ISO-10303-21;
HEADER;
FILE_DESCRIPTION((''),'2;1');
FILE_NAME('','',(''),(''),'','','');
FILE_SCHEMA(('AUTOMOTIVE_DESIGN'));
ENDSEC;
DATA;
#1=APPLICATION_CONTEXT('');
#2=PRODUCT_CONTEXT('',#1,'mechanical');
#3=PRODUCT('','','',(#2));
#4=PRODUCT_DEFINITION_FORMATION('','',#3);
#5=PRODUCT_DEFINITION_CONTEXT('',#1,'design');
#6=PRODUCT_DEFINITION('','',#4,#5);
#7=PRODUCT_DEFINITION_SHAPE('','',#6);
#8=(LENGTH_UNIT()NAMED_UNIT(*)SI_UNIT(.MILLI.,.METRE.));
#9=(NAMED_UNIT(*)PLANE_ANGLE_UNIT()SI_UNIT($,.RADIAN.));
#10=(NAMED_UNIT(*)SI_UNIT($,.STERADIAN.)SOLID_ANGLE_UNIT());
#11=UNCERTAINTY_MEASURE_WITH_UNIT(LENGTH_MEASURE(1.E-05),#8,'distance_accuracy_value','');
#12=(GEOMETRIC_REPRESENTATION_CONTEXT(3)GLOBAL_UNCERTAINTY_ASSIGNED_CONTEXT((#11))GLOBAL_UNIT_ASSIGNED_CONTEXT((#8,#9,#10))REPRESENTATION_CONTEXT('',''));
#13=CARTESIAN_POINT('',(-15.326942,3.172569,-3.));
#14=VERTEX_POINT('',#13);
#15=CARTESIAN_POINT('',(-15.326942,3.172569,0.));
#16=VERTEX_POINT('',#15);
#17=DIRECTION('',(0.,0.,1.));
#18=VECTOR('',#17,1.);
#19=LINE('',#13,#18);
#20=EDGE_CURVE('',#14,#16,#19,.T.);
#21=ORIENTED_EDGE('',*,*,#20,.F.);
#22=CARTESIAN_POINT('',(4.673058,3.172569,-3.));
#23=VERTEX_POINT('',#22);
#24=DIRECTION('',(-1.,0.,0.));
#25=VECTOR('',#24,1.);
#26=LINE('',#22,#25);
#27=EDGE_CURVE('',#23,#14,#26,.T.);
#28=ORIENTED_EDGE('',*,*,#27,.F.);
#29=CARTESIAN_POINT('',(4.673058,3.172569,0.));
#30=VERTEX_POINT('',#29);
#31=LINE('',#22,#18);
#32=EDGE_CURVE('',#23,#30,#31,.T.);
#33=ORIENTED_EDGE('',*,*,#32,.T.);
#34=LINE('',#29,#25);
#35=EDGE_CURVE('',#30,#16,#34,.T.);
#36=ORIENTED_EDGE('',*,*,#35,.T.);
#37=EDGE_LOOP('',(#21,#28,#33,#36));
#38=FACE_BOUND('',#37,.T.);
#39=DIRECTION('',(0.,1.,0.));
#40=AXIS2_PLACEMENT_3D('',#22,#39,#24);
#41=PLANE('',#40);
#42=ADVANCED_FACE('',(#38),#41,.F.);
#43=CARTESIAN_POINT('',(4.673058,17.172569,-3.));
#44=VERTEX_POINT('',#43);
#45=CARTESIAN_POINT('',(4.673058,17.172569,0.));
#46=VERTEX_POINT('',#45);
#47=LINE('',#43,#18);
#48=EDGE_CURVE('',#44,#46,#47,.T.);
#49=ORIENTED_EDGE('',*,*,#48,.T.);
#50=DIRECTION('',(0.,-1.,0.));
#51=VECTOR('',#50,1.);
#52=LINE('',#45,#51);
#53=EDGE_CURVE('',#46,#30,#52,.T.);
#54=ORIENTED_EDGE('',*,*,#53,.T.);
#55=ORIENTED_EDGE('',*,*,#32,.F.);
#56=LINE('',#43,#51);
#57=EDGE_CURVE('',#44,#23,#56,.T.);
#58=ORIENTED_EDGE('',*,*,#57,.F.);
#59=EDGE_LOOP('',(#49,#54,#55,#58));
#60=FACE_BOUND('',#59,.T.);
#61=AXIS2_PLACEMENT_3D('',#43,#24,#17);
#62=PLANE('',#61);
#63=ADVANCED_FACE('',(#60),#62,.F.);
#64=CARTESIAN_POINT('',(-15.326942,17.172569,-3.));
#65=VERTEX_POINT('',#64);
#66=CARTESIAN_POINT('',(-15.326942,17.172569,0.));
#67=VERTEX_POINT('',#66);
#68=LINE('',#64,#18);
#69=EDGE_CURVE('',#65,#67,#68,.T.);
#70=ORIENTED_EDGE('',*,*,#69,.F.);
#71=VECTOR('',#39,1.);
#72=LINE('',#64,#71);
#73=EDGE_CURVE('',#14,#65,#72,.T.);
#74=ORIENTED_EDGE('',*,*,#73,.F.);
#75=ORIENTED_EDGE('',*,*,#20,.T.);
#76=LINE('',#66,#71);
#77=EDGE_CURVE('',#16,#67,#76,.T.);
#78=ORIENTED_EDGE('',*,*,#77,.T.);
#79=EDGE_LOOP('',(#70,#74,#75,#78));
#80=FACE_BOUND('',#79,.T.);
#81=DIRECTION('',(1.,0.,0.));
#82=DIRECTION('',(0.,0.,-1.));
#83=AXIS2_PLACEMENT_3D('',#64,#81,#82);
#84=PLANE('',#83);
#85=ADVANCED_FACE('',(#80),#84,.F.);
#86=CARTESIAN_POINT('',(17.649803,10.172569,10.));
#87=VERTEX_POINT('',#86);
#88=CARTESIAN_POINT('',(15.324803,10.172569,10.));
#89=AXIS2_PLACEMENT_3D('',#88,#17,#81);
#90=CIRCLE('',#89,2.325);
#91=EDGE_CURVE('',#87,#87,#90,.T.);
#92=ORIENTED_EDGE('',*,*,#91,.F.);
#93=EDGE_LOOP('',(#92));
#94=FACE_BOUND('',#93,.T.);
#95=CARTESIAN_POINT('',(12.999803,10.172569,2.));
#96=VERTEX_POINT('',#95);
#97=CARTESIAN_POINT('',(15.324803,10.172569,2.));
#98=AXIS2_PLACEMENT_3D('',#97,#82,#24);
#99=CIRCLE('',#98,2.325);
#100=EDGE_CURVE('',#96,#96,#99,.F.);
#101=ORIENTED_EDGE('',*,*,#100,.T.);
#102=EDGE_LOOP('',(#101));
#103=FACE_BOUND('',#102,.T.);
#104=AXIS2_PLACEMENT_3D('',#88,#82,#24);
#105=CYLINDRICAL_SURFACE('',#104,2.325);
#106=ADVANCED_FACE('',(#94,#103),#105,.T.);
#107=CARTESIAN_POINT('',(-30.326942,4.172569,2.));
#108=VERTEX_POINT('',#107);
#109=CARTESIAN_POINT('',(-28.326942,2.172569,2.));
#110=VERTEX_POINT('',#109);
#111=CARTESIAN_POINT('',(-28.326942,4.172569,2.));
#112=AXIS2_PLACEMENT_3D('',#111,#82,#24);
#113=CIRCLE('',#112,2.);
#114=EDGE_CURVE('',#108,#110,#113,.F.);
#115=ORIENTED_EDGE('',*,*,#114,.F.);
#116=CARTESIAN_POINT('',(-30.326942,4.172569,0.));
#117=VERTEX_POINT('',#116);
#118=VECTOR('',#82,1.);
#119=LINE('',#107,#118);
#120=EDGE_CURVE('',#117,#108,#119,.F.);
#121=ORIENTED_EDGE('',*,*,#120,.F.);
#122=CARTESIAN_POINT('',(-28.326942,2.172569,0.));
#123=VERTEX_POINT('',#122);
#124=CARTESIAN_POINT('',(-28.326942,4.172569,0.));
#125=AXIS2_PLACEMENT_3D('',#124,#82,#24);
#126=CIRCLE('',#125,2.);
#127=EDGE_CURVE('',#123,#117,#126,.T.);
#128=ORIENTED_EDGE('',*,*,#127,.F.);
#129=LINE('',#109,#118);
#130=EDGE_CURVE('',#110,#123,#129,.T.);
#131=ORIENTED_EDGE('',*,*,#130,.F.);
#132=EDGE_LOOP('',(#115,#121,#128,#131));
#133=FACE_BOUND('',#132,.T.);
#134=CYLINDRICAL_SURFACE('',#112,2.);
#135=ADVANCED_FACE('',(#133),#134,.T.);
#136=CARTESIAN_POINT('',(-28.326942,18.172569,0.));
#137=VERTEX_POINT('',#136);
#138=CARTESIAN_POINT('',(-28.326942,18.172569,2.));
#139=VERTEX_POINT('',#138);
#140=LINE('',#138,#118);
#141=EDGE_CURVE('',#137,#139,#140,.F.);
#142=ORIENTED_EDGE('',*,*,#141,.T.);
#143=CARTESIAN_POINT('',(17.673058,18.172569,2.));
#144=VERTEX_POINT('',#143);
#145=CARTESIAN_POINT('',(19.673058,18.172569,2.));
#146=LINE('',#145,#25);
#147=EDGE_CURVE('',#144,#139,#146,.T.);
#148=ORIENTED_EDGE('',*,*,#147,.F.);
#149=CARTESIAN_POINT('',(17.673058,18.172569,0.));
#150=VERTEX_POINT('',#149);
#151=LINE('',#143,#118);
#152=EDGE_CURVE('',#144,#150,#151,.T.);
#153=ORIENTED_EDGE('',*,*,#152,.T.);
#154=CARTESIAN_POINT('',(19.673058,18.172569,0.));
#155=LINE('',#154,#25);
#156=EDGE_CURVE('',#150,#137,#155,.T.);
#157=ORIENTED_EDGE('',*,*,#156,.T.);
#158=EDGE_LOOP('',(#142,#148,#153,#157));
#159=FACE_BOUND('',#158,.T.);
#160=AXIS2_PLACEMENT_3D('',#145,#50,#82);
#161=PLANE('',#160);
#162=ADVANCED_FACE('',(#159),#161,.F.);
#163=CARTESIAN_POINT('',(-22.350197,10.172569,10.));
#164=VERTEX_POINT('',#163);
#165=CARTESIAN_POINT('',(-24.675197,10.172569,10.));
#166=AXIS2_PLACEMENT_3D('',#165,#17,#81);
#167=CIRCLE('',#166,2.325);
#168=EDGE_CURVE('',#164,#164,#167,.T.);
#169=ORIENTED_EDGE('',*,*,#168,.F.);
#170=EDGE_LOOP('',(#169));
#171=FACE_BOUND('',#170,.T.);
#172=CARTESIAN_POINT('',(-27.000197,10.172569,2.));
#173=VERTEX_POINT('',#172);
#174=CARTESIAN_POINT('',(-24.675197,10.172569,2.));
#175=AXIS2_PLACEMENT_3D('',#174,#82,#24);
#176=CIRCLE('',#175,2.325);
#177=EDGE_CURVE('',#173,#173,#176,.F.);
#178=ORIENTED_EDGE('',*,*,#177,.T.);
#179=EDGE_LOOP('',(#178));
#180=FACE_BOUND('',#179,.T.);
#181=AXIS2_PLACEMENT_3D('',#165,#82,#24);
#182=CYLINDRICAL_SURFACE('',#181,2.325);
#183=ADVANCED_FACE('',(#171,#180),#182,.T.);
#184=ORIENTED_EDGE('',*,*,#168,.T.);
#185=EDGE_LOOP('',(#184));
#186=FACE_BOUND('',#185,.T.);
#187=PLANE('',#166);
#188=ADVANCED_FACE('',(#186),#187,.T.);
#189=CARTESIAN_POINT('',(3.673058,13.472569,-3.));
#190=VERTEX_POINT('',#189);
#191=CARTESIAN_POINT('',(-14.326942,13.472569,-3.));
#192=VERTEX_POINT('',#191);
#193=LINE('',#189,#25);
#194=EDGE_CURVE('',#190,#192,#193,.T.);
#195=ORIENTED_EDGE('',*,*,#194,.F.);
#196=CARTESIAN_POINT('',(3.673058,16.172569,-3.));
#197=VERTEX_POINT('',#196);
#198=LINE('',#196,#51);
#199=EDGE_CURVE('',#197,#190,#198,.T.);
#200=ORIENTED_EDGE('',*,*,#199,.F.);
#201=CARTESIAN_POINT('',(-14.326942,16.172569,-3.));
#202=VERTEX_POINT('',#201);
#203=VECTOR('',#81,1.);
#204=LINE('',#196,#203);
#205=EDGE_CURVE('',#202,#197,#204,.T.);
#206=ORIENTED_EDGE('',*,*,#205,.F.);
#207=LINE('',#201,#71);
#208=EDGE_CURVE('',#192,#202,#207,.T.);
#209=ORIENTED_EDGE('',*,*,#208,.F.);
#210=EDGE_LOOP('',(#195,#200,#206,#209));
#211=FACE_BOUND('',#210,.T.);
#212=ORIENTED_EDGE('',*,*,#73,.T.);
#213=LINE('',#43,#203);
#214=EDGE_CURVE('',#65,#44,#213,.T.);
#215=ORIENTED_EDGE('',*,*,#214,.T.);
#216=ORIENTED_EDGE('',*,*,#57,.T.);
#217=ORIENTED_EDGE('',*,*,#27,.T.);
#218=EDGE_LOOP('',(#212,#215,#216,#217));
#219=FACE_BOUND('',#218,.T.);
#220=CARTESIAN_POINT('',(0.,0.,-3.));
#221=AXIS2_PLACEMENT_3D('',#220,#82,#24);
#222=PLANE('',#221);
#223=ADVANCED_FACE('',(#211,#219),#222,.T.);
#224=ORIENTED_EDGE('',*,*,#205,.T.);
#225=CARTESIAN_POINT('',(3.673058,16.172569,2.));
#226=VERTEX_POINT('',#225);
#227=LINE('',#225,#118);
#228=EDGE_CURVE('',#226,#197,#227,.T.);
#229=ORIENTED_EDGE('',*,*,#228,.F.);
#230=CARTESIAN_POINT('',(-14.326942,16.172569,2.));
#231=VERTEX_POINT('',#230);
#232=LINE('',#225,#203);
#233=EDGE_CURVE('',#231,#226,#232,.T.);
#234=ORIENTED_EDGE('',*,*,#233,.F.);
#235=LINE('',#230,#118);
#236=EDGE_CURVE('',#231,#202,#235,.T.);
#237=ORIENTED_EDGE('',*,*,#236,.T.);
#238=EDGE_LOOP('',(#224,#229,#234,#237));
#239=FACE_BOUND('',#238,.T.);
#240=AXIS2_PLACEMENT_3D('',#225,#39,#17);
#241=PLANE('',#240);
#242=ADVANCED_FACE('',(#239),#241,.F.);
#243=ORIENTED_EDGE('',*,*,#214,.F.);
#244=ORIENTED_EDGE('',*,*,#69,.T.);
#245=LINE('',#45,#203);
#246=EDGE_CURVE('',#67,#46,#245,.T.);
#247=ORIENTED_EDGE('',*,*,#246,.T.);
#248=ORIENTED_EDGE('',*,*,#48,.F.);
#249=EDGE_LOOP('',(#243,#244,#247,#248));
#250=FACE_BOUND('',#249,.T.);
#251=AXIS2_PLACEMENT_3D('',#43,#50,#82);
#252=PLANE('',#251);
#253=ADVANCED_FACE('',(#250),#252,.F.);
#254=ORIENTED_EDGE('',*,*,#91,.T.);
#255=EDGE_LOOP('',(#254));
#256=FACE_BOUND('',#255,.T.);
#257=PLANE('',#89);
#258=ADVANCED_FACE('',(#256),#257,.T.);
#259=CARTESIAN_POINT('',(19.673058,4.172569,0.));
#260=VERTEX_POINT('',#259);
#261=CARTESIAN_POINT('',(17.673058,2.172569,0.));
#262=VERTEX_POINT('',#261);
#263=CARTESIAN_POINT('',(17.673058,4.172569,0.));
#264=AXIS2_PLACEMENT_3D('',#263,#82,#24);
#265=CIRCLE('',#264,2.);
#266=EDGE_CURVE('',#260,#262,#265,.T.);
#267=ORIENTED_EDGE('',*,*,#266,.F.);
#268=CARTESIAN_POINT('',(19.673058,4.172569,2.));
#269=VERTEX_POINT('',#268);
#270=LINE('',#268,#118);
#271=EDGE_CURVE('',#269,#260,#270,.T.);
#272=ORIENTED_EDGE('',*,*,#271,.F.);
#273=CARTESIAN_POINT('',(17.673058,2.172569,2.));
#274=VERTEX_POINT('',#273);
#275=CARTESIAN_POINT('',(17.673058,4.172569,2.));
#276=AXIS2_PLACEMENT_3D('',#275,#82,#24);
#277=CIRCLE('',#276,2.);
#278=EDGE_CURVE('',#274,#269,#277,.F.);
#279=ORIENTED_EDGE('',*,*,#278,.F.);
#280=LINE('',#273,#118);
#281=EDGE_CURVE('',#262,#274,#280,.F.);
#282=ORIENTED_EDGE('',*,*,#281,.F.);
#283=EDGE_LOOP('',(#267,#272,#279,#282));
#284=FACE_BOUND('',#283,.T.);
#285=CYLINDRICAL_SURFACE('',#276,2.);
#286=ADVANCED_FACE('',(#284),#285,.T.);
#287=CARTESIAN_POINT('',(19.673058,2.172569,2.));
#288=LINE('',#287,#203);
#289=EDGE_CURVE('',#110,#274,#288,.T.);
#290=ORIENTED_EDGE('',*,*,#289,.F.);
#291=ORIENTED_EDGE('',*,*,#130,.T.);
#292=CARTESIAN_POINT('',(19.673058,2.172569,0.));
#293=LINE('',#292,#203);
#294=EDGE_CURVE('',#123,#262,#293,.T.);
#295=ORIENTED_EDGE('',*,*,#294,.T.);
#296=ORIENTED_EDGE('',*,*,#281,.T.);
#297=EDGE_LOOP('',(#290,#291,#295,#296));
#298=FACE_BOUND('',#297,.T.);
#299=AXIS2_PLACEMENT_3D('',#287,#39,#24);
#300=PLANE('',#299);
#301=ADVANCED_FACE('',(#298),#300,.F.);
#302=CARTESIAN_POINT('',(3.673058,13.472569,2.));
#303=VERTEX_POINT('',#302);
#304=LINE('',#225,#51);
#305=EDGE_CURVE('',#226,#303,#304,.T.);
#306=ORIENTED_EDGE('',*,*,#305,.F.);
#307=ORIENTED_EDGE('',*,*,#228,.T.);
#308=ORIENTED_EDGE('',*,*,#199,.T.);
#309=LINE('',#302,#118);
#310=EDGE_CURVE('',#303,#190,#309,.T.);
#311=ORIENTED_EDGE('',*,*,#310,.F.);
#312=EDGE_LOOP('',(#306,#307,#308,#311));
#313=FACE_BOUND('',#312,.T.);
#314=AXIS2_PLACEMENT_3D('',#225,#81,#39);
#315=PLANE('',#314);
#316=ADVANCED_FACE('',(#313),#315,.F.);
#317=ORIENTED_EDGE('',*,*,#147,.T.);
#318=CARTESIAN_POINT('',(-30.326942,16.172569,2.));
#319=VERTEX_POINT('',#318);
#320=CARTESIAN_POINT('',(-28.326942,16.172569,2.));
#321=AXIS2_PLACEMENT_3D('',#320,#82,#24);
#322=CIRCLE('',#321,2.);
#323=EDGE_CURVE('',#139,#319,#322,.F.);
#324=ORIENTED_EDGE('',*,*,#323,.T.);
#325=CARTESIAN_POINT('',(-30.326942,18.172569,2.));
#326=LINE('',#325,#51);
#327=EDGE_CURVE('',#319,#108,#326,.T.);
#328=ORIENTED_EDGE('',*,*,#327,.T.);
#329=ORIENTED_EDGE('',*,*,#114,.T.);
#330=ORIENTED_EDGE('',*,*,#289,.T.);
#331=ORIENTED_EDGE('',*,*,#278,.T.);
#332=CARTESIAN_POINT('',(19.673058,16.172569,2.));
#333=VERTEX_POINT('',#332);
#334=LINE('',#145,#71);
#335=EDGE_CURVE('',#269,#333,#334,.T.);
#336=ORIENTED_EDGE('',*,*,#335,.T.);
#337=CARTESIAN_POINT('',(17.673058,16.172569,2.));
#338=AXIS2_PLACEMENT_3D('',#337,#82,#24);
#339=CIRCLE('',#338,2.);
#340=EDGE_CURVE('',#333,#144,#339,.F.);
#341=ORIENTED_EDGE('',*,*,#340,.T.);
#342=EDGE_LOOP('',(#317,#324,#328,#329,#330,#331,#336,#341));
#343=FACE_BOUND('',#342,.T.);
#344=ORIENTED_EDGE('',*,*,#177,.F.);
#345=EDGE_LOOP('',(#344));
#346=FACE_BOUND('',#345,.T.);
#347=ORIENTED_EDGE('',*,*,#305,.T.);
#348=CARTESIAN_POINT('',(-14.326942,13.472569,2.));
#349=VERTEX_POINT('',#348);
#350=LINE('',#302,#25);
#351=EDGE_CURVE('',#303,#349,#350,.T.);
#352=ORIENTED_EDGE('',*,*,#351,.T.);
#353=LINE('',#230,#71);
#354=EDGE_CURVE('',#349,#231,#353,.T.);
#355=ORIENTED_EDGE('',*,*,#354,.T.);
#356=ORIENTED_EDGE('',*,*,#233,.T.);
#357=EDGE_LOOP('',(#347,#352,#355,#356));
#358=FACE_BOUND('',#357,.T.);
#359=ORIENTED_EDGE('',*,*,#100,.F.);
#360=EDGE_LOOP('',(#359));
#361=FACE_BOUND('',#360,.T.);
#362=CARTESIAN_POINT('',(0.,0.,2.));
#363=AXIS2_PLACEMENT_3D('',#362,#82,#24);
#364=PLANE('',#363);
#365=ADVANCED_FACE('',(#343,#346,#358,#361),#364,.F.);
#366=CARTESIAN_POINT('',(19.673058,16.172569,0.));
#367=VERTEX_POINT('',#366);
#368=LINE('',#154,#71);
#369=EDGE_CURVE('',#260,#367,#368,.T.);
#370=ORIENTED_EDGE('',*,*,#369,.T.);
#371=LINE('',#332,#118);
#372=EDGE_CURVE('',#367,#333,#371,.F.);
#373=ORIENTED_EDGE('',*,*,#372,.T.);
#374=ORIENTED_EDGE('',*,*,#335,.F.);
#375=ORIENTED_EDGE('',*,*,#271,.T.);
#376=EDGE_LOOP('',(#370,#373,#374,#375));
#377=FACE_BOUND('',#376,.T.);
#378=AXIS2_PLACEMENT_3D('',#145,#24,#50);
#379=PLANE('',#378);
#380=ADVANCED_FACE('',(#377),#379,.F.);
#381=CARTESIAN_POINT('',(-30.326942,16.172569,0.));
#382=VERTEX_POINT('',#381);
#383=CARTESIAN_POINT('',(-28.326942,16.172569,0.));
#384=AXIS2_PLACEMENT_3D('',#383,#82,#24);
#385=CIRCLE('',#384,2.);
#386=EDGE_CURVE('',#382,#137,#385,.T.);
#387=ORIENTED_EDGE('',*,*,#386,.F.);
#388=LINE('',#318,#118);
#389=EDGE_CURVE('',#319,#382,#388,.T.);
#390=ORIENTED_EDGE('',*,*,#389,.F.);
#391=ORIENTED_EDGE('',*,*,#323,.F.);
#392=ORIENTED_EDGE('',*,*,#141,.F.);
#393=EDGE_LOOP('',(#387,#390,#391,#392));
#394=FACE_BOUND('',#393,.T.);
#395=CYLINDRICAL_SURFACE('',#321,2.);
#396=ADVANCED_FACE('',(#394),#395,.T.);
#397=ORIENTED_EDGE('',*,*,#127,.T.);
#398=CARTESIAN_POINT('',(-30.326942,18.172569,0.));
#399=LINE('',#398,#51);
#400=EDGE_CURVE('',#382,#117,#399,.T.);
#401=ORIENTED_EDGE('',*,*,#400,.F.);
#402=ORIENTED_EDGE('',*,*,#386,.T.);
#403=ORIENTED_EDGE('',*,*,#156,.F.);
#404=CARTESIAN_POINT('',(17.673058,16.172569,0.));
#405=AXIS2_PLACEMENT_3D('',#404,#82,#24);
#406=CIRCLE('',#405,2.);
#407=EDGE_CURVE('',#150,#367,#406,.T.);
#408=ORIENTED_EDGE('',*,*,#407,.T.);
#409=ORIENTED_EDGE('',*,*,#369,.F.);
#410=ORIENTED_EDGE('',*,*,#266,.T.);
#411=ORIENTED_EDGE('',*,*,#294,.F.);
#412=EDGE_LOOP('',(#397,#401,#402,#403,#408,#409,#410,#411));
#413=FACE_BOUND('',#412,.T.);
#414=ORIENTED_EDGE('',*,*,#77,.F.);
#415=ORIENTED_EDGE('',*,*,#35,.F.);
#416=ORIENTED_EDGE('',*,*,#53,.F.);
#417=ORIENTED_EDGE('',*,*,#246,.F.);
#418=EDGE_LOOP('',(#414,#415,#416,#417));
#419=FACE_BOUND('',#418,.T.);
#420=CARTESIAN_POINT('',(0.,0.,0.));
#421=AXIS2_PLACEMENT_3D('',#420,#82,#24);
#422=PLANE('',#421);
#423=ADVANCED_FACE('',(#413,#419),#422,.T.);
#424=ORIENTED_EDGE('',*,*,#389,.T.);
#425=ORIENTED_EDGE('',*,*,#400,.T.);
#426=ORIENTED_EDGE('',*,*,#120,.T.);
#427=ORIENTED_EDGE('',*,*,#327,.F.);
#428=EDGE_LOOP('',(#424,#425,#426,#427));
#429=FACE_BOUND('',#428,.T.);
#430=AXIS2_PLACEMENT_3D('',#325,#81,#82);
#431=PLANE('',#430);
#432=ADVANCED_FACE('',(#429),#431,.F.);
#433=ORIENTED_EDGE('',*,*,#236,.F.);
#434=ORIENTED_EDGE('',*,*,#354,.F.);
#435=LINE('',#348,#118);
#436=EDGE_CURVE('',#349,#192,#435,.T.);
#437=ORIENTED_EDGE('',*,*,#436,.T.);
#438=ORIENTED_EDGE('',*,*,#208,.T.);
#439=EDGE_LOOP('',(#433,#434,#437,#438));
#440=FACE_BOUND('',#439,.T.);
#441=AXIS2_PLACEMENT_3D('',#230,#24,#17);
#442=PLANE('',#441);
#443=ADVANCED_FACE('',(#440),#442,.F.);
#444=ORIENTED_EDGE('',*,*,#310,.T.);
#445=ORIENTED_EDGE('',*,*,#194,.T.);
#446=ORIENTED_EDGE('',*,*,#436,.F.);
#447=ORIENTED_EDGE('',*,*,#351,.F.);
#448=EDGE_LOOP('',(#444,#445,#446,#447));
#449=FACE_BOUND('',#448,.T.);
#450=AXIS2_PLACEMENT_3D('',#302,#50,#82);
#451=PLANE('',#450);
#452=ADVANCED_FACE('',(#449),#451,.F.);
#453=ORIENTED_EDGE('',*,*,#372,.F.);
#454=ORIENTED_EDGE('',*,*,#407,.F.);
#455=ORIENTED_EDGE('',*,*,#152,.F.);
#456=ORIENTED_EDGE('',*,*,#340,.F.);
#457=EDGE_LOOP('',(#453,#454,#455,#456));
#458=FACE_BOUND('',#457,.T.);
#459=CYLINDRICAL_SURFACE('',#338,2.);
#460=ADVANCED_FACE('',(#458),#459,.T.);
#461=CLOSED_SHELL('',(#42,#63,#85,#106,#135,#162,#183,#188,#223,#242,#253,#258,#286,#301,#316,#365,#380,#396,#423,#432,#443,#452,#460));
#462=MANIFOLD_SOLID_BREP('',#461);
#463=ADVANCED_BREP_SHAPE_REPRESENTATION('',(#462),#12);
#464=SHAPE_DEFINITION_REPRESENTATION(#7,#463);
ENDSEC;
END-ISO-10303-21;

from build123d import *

# Parameters (mm, degrees)
SKETCH1_W           = 50
SKETCH1_H           = 16
BOSS_EXTRUDE1_DEPTH = 2
SKETCH2_R           = 2.325
BOSS_EXTRUDE2_DEPTH = 8
FILLET1_R           = 2
SKETCH3_W           = 20
SKETCH3_H           = 14
BOSS_EXTRUDE3_DEPTH = 3
SKETCH6_W           = 18
SKETCH6_H           = 2.7
CUT_EXTRUDE1_DEPTH  = 5


with BuildPart() as part:
    # Sketch1 → Boss-Extrude1 (new body)
    with BuildSketch(Plane.XY):
        with Locations((-5.32694175, 10.172569161)):
            Rectangle(SKETCH1_W, SKETCH1_H)
    extrude(amount=BOSS_EXTRUDE1_DEPTH)

    # Sketch2 → Boss-Extrude2 (add)
    with BuildSketch(Plane.XY.offset(2)):
        with Locations(Location((-24.675197488, 10.172569161, 0), (0, 0, 180))):
            Circle(SKETCH2_R)
        with Locations(Location((15.324802512, 10.172569161, 0), (0, 0, 180))):
            Circle(SKETCH2_R)
    extrude(amount=BOSS_EXTRUDE2_DEPTH)

    # Fillet1
    fillet1_edges = [part.edges().sort_by_distance(p)[0] for p in [
        (19.67305825, 2.172569161, 1),
        (-30.32694175, 2.172569161, 1),
        (-30.32694175, 18.172569161, 1),
        (19.67305825, 18.172569161, 1),
    ]]
    fillet(fillet1_edges, radius=FILLET1_R)

    # Sketch3 → Boss-Extrude3 (add)
    with BuildSketch(Plane(origin=(0, 0, 0), x_dir=(-1, 0, 0), z_dir=(0, 0, -1))):
        with Locations((5.32694175, 10.172569161)):
            Rectangle(SKETCH3_W, SKETCH3_H)
    extrude(amount=BOSS_EXTRUDE3_DEPTH)

    # Sketch6 → Cut-Extrude1 (cut)
    with BuildSketch(Plane(origin=(0, 0, -3), x_dir=(-1, 0, 0), z_dir=(0, 0, -1))):
        with Locations((5.32694175, 14.822569161)):
            Rectangle(SKETCH6_W, SKETCH6_H)
    extrude(amount=-CUT_EXTRUDE1_DEPTH, mode=Mode.SUBTRACT)


solid = part.part
